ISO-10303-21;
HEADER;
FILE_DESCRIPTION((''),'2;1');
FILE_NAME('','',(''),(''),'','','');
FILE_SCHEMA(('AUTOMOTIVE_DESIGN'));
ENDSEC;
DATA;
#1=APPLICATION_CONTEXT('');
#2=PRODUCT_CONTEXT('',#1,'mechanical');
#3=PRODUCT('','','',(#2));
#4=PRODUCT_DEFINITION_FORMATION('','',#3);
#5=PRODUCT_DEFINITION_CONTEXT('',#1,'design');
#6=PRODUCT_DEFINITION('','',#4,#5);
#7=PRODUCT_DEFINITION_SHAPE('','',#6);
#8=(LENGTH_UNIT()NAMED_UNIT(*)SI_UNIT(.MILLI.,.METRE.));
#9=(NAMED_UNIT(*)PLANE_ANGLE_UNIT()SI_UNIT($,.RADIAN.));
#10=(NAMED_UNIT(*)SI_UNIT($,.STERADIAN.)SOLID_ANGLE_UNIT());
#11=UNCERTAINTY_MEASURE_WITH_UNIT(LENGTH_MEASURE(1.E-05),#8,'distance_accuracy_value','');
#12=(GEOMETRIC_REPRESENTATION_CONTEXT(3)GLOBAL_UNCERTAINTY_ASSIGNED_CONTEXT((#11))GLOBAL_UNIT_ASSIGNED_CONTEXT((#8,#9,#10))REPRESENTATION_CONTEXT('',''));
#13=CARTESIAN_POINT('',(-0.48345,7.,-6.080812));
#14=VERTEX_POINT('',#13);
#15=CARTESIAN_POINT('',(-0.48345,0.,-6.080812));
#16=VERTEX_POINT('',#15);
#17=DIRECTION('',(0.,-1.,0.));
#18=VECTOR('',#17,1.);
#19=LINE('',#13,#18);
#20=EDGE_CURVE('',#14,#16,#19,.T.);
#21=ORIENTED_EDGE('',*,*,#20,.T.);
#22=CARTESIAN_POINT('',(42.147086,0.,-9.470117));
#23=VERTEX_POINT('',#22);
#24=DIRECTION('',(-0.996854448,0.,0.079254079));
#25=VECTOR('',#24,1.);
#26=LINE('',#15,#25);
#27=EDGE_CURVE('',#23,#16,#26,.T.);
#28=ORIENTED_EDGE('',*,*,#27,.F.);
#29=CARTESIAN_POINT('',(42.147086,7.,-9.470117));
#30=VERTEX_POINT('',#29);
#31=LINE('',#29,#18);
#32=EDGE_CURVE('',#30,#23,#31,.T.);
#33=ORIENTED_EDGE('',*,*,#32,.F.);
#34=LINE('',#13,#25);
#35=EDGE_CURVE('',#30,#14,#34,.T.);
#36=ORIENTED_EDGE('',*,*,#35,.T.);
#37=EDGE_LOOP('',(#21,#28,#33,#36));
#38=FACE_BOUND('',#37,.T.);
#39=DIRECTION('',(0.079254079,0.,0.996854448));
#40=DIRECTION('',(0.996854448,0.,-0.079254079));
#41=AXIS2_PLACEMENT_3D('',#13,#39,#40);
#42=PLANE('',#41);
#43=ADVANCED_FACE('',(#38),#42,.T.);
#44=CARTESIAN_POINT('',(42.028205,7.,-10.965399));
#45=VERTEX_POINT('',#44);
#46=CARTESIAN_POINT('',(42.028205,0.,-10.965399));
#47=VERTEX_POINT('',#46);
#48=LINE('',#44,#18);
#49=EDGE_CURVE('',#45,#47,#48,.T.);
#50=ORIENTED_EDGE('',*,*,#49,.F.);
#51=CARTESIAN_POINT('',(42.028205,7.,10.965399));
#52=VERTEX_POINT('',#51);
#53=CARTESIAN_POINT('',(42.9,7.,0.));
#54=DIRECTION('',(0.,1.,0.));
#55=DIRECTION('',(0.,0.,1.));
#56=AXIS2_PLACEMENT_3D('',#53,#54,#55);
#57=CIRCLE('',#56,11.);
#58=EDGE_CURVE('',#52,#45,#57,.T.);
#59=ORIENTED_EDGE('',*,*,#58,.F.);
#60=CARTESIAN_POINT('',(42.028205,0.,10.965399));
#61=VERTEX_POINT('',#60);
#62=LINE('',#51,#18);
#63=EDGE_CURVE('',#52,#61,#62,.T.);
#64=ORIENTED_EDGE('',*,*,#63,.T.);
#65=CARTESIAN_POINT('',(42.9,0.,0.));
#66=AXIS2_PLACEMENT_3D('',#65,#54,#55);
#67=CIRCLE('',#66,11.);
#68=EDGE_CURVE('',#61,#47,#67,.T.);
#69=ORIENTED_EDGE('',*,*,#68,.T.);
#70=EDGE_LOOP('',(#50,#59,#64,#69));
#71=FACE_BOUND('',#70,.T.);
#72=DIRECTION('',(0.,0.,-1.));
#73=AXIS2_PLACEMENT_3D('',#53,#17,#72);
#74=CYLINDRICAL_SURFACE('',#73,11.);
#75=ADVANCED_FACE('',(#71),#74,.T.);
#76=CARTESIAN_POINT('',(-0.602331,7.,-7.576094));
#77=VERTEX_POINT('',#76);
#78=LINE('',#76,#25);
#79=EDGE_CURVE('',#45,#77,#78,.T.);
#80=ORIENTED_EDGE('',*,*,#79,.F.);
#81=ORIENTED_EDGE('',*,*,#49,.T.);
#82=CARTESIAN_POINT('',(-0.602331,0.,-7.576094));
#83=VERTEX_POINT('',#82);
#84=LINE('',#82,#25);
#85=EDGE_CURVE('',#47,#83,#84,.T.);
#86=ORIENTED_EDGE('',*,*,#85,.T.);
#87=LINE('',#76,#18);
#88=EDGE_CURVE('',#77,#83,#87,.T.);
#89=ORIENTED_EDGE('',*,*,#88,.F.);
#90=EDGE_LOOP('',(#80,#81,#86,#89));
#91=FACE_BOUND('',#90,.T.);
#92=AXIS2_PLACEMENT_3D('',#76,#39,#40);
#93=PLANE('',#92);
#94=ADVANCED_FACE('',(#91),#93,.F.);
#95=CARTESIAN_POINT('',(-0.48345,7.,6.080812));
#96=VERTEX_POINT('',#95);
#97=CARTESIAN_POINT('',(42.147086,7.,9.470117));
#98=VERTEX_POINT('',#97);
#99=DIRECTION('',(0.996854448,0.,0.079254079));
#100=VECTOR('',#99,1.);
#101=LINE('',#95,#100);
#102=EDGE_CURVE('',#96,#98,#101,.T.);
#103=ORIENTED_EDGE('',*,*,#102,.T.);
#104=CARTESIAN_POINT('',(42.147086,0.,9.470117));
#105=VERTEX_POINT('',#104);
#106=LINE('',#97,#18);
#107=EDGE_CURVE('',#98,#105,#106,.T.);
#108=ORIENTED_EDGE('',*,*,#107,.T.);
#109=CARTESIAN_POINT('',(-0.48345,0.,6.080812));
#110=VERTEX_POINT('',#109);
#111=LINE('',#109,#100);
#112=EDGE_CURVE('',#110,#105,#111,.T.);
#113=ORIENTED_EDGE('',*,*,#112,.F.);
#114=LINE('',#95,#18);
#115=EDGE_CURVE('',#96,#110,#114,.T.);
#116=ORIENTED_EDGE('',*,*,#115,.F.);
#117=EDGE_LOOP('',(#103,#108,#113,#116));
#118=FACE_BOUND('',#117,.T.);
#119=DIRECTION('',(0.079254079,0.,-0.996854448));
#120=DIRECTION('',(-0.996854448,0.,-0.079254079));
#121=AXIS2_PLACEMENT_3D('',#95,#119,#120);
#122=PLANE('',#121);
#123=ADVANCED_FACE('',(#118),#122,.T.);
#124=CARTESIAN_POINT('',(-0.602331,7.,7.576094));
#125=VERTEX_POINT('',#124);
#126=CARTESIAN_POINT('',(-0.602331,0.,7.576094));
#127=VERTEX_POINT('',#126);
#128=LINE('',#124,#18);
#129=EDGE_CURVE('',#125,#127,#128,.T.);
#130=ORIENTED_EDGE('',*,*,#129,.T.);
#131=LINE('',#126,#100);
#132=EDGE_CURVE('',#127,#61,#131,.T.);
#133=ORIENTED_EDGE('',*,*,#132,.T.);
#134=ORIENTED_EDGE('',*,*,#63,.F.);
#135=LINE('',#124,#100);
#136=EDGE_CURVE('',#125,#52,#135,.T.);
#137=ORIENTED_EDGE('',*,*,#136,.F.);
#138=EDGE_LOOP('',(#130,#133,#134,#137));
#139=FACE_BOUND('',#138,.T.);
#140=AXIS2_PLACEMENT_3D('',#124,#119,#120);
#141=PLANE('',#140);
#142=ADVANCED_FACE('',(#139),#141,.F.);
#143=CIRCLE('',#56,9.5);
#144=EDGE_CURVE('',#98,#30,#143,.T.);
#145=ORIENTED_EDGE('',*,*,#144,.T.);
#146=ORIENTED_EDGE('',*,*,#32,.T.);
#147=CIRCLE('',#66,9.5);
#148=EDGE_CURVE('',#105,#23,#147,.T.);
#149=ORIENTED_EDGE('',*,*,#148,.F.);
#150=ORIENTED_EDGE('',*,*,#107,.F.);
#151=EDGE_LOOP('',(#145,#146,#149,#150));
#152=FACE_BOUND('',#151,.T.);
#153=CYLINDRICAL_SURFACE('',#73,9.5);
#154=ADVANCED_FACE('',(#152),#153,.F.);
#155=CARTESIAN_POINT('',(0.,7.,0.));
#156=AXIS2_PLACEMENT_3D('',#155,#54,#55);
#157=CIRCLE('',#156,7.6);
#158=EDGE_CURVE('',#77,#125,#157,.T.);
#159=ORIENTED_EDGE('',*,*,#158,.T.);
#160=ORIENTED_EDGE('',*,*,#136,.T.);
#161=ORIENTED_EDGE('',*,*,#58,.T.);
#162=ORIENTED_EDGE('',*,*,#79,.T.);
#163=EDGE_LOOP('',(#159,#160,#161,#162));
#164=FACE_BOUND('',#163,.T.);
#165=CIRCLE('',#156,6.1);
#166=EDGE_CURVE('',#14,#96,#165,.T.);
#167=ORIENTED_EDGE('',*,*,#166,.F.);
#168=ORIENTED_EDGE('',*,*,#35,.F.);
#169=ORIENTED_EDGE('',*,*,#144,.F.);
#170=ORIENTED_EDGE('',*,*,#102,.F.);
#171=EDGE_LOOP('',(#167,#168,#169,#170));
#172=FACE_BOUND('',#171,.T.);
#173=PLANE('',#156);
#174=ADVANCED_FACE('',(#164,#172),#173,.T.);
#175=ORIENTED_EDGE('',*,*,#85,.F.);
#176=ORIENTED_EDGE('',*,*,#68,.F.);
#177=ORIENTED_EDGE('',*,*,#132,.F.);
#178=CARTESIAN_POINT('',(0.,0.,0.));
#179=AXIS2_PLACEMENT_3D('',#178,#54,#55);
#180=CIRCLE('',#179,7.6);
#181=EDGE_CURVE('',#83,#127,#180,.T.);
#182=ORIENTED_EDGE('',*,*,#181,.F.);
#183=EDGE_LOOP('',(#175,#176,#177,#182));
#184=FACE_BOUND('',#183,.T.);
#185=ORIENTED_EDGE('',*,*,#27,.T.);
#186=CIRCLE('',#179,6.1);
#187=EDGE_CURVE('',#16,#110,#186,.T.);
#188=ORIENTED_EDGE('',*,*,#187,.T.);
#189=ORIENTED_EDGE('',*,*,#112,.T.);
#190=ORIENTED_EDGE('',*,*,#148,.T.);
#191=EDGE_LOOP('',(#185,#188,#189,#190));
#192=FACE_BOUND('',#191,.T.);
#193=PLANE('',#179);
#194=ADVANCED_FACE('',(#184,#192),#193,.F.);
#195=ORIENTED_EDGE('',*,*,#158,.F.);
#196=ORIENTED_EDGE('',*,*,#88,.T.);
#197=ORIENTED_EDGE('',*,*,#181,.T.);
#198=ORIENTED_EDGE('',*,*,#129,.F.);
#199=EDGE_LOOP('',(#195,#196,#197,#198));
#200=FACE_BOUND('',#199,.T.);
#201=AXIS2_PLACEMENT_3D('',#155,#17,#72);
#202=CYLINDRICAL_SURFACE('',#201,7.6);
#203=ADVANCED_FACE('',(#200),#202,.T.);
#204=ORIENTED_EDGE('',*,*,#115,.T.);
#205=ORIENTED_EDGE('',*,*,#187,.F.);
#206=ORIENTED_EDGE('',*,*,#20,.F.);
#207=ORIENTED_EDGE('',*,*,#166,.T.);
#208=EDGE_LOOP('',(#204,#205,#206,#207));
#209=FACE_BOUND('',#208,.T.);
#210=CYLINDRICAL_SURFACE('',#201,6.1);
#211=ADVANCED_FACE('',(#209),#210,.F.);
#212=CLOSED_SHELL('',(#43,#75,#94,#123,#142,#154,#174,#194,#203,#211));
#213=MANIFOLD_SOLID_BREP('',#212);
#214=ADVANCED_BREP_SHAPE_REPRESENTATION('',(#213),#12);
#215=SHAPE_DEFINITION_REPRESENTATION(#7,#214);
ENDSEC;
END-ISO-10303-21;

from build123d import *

# Parameters (mm, degrees)
BOSS_EXTRUDE1_DEPTH = 7


with BuildPart() as part:
    # Sketch1 → Boss-Extrude1 (new body)
    with BuildSketch(Plane(origin=(0, 0, 0), x_dir=(1, 0, 0), z_dir=(0, 1, 0))):
        with BuildLine():
            Line((-0.602331002, 7.576093806), (42.028205128, 10.96539893))
            ThreePointArc((42.028205128, 10.96539893), (53.9, 0), (42.028205128, -10.96539893))
            Line((42.028205128, -10.96539893), (-0.602331002, -7.576093806))
            ThreePointArc((-0.602331002, -7.576093806), (-7.6, 0), (-0.602331002, 7.576093806))
        make_face()
        with BuildLine():
            Line((-0.483449883, 6.080812134), (42.147086247, 9.470117258))
            ThreePointArc((42.147086247, 9.470117258), (52.4, 0), (42.147086247, -9.470117258))
            Line((42.147086247, -9.470117258), (-0.483449883, -6.080812134))
            ThreePointArc((-0.483449883, -6.080812134), (-6.1, 0), (-0.483449883, 6.080812134))
        make_face(mode=Mode.SUBTRACT)
    extrude(amount=BOSS_EXTRUDE1_DEPTH)


solid = part.part
